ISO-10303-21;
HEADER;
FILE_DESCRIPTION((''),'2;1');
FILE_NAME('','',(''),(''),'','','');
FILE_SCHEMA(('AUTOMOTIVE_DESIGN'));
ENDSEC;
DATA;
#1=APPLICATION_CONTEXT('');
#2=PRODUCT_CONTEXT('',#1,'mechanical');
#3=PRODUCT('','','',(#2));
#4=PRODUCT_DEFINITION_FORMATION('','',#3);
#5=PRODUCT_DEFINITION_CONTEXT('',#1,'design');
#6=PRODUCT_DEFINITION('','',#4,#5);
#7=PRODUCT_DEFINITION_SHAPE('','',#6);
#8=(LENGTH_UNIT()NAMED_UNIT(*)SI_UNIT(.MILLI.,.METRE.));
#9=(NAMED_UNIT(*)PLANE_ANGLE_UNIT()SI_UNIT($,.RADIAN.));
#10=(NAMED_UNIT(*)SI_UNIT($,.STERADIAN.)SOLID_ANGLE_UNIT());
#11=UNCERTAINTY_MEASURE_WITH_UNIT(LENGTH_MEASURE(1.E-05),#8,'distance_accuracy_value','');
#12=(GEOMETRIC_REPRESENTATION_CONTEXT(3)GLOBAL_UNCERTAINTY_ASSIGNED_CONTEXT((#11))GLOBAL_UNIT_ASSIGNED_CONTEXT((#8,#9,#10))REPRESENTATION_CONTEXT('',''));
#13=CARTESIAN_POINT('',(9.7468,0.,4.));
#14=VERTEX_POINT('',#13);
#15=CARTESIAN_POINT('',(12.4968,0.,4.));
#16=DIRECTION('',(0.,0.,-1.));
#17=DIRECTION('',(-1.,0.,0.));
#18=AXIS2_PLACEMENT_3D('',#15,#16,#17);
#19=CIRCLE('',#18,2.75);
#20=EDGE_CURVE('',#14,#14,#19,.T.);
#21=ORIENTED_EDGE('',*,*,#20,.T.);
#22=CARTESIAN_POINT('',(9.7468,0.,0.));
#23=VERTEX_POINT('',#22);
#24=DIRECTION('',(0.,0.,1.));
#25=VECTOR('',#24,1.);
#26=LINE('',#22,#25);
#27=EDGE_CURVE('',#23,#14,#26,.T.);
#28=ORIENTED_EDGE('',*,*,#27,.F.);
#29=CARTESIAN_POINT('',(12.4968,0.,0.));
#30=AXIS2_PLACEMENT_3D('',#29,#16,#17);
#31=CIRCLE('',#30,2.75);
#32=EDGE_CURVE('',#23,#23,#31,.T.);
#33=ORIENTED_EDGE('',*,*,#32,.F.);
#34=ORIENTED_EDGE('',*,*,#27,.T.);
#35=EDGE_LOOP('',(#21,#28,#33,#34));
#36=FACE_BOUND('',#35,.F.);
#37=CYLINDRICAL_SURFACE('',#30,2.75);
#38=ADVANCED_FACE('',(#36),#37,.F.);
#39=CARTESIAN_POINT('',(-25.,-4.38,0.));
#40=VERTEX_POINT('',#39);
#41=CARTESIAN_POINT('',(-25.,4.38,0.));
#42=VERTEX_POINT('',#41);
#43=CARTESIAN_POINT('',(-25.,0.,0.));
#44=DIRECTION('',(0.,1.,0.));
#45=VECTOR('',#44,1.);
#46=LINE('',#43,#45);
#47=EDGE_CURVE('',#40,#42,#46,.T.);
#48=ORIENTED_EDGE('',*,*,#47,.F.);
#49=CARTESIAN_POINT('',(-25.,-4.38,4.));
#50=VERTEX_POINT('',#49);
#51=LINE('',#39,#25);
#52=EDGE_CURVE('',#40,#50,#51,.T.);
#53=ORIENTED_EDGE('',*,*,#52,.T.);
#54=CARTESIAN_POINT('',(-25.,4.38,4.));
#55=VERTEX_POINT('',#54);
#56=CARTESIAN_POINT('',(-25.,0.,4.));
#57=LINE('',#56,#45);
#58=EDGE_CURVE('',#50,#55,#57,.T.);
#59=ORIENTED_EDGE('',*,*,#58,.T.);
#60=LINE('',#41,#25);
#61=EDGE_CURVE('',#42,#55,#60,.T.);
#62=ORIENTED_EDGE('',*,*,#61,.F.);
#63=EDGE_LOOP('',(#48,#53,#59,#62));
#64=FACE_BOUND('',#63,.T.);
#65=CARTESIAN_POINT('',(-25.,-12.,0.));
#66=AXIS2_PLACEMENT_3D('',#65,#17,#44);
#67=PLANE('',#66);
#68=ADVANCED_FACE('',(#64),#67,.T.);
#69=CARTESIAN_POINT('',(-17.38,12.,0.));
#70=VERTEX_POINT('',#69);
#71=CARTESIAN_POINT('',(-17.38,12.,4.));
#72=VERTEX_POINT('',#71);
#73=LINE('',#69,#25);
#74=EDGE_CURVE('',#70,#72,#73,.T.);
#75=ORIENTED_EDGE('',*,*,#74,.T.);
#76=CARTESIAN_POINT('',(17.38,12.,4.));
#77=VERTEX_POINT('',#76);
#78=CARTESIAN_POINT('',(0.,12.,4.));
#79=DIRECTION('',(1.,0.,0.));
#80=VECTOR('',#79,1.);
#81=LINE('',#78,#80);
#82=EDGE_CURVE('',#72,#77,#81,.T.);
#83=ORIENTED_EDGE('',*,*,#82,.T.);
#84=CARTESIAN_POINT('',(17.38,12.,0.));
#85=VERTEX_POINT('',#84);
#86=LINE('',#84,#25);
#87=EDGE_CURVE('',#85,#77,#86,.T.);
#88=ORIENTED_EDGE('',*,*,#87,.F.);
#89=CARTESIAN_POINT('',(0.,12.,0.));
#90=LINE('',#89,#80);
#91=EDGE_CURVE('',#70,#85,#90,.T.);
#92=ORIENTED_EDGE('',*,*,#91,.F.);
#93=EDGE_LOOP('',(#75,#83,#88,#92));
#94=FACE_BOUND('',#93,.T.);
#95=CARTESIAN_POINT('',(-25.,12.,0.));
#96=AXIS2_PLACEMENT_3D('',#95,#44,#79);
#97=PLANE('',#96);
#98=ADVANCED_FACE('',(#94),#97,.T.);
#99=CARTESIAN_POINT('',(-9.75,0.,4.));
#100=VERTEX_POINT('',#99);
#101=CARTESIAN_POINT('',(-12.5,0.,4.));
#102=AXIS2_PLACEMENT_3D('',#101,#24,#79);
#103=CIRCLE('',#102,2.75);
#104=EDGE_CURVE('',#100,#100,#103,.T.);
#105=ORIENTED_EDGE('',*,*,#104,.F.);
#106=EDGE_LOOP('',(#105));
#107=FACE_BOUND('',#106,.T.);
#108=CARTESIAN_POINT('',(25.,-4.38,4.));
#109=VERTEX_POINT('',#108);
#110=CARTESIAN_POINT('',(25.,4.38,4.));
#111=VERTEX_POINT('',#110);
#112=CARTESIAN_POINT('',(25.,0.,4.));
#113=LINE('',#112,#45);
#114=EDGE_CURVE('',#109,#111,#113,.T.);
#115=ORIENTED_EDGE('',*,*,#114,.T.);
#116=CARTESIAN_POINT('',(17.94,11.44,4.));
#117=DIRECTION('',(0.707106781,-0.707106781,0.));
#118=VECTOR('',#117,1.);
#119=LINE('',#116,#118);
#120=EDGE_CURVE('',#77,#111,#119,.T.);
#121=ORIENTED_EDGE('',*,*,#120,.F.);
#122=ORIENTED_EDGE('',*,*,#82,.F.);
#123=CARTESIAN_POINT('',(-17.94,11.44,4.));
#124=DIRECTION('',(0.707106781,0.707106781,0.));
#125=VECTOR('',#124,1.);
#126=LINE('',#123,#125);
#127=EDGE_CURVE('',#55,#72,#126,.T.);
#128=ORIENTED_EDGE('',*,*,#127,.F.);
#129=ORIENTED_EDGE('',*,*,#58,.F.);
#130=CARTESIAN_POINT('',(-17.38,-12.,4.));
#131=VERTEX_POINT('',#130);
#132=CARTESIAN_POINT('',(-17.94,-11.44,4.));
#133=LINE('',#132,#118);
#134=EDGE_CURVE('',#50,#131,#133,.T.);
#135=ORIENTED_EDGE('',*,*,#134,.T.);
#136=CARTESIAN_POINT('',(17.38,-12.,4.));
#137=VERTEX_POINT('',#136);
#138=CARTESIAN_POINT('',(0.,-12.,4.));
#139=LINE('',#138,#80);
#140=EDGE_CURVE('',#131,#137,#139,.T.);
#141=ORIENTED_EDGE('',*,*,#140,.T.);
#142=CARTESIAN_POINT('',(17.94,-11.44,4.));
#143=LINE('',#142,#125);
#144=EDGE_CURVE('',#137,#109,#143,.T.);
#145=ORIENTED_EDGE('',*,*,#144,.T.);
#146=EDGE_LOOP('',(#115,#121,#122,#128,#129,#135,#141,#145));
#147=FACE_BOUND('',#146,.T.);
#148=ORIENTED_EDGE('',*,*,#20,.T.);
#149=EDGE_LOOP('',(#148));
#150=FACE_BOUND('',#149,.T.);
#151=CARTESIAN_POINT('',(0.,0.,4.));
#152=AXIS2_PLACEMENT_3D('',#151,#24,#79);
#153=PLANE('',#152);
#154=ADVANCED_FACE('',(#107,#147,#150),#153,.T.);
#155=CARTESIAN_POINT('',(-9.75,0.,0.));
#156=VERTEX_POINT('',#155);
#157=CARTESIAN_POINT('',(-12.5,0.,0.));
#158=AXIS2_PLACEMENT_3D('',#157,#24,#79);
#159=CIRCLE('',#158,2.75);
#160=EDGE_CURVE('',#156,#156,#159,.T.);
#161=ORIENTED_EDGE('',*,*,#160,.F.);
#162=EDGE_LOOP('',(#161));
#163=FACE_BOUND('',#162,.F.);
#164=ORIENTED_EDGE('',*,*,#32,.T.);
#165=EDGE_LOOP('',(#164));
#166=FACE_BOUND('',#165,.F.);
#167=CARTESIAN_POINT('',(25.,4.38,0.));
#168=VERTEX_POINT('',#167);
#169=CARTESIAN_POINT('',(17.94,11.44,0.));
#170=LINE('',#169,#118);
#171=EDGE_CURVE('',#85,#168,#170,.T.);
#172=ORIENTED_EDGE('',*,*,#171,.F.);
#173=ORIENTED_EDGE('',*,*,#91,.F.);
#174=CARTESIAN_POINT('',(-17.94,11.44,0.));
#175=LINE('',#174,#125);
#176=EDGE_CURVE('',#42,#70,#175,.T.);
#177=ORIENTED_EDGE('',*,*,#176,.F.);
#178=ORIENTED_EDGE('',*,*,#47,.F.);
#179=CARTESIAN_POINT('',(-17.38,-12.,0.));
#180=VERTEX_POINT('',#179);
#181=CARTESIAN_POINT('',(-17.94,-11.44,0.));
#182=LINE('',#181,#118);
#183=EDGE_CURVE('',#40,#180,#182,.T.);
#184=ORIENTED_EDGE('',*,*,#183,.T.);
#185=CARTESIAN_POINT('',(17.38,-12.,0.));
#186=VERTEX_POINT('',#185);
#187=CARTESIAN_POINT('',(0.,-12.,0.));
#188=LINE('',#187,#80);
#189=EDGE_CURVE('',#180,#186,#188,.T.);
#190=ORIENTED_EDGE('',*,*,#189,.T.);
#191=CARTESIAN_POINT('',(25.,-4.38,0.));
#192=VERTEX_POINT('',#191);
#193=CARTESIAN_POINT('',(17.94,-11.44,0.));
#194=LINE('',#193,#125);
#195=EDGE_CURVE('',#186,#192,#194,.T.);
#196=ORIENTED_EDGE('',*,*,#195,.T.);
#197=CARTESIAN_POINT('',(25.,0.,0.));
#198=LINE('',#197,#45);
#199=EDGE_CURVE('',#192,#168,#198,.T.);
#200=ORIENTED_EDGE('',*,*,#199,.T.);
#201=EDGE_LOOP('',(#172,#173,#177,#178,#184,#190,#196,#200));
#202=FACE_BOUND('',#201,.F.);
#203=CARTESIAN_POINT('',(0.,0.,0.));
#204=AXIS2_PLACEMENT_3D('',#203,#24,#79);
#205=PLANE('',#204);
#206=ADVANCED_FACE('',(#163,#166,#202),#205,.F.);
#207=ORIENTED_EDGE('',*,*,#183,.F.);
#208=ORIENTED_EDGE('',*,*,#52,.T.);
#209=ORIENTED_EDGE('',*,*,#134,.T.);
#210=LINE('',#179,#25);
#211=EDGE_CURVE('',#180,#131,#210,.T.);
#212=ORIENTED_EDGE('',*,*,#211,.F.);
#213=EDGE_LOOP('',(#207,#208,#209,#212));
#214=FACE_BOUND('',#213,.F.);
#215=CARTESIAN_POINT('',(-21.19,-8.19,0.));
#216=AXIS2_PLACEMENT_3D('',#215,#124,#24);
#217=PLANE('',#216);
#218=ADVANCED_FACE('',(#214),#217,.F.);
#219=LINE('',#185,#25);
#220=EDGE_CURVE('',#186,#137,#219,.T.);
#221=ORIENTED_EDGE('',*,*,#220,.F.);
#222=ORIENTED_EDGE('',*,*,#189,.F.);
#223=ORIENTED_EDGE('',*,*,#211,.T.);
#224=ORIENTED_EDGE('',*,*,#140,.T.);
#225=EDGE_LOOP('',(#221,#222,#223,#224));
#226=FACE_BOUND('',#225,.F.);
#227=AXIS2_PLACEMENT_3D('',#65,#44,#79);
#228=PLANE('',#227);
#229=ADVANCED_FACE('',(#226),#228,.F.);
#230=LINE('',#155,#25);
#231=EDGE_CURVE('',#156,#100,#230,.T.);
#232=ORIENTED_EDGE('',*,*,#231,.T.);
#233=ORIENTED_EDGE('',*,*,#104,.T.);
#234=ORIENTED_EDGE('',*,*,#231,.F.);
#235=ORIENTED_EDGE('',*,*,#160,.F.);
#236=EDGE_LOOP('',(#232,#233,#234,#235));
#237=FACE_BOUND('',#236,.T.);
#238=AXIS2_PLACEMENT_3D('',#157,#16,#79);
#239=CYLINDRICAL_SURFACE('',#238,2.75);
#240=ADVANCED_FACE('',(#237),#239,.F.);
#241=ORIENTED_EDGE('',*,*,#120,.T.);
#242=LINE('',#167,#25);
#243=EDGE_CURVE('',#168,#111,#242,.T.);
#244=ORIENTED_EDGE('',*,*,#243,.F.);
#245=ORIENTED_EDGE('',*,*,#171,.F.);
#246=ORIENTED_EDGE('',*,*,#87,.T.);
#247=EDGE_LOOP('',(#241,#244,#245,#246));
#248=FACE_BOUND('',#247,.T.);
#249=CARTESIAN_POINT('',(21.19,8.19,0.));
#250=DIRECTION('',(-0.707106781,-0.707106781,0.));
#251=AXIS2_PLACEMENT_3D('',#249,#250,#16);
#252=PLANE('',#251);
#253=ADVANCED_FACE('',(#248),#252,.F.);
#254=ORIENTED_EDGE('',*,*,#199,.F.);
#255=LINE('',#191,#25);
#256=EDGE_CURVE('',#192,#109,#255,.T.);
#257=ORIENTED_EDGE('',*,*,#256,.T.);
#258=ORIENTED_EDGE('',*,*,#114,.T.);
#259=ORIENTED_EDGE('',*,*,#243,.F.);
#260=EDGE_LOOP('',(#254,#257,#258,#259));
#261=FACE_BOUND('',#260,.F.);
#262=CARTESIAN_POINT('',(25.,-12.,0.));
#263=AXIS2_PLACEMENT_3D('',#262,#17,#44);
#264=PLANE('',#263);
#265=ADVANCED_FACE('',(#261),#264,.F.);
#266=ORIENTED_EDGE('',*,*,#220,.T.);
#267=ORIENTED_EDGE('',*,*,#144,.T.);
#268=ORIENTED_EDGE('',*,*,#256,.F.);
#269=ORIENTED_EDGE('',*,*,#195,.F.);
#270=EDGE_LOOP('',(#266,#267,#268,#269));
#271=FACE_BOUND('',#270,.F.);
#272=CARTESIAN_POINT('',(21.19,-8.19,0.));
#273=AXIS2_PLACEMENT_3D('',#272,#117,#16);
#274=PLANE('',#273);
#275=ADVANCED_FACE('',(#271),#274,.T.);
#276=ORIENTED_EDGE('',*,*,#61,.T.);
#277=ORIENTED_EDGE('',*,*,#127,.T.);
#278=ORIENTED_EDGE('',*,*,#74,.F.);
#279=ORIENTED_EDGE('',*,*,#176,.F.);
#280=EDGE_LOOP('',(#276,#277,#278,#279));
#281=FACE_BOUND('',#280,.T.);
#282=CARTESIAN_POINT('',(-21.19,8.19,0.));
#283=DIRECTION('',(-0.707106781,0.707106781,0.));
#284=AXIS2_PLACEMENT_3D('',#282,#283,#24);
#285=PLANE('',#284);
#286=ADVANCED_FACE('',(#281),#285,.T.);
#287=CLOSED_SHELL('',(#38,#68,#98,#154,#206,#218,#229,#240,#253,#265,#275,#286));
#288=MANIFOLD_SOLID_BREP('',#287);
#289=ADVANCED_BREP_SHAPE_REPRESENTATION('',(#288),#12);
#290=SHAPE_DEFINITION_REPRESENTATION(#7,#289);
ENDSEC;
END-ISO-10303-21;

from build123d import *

# Parameters (mm, degrees)
F0_W     = 50
F0_H     = 24
F0_R     = 2.75
F1_DEPTH = 4
F2_SIZE  = 7.62


with BuildPart() as f1:
    # F0 (on Top) → F1 (new body)
    with BuildSketch(Plane.XY):
        Rectangle(F0_W, F0_H)
        with Locations((-12.5, 0)):
            Circle(F0_R, mode=Mode.SUBTRACT)
        with BuildLine():
            ThreePointArc((15.2468, 0), (12.4968, -2.75), (9.7468, 0))
            ThreePointArc((9.7468, 0), (12.4968, 2.75), (15.2468, 0))
        make_face(mode=Mode.SUBTRACT)
    extrude(amount=F1_DEPTH)

    # F2
    f2_edges = [f1.edges().sort_by_distance(p)[0] for p in [
        (-25, 12, 2),
        (-25, -12, 2),
        (25, -12, 2),
        (25, 12, 2),
    ]]
    chamfer(f2_edges, length=F2_SIZE)


solid = f1.part
